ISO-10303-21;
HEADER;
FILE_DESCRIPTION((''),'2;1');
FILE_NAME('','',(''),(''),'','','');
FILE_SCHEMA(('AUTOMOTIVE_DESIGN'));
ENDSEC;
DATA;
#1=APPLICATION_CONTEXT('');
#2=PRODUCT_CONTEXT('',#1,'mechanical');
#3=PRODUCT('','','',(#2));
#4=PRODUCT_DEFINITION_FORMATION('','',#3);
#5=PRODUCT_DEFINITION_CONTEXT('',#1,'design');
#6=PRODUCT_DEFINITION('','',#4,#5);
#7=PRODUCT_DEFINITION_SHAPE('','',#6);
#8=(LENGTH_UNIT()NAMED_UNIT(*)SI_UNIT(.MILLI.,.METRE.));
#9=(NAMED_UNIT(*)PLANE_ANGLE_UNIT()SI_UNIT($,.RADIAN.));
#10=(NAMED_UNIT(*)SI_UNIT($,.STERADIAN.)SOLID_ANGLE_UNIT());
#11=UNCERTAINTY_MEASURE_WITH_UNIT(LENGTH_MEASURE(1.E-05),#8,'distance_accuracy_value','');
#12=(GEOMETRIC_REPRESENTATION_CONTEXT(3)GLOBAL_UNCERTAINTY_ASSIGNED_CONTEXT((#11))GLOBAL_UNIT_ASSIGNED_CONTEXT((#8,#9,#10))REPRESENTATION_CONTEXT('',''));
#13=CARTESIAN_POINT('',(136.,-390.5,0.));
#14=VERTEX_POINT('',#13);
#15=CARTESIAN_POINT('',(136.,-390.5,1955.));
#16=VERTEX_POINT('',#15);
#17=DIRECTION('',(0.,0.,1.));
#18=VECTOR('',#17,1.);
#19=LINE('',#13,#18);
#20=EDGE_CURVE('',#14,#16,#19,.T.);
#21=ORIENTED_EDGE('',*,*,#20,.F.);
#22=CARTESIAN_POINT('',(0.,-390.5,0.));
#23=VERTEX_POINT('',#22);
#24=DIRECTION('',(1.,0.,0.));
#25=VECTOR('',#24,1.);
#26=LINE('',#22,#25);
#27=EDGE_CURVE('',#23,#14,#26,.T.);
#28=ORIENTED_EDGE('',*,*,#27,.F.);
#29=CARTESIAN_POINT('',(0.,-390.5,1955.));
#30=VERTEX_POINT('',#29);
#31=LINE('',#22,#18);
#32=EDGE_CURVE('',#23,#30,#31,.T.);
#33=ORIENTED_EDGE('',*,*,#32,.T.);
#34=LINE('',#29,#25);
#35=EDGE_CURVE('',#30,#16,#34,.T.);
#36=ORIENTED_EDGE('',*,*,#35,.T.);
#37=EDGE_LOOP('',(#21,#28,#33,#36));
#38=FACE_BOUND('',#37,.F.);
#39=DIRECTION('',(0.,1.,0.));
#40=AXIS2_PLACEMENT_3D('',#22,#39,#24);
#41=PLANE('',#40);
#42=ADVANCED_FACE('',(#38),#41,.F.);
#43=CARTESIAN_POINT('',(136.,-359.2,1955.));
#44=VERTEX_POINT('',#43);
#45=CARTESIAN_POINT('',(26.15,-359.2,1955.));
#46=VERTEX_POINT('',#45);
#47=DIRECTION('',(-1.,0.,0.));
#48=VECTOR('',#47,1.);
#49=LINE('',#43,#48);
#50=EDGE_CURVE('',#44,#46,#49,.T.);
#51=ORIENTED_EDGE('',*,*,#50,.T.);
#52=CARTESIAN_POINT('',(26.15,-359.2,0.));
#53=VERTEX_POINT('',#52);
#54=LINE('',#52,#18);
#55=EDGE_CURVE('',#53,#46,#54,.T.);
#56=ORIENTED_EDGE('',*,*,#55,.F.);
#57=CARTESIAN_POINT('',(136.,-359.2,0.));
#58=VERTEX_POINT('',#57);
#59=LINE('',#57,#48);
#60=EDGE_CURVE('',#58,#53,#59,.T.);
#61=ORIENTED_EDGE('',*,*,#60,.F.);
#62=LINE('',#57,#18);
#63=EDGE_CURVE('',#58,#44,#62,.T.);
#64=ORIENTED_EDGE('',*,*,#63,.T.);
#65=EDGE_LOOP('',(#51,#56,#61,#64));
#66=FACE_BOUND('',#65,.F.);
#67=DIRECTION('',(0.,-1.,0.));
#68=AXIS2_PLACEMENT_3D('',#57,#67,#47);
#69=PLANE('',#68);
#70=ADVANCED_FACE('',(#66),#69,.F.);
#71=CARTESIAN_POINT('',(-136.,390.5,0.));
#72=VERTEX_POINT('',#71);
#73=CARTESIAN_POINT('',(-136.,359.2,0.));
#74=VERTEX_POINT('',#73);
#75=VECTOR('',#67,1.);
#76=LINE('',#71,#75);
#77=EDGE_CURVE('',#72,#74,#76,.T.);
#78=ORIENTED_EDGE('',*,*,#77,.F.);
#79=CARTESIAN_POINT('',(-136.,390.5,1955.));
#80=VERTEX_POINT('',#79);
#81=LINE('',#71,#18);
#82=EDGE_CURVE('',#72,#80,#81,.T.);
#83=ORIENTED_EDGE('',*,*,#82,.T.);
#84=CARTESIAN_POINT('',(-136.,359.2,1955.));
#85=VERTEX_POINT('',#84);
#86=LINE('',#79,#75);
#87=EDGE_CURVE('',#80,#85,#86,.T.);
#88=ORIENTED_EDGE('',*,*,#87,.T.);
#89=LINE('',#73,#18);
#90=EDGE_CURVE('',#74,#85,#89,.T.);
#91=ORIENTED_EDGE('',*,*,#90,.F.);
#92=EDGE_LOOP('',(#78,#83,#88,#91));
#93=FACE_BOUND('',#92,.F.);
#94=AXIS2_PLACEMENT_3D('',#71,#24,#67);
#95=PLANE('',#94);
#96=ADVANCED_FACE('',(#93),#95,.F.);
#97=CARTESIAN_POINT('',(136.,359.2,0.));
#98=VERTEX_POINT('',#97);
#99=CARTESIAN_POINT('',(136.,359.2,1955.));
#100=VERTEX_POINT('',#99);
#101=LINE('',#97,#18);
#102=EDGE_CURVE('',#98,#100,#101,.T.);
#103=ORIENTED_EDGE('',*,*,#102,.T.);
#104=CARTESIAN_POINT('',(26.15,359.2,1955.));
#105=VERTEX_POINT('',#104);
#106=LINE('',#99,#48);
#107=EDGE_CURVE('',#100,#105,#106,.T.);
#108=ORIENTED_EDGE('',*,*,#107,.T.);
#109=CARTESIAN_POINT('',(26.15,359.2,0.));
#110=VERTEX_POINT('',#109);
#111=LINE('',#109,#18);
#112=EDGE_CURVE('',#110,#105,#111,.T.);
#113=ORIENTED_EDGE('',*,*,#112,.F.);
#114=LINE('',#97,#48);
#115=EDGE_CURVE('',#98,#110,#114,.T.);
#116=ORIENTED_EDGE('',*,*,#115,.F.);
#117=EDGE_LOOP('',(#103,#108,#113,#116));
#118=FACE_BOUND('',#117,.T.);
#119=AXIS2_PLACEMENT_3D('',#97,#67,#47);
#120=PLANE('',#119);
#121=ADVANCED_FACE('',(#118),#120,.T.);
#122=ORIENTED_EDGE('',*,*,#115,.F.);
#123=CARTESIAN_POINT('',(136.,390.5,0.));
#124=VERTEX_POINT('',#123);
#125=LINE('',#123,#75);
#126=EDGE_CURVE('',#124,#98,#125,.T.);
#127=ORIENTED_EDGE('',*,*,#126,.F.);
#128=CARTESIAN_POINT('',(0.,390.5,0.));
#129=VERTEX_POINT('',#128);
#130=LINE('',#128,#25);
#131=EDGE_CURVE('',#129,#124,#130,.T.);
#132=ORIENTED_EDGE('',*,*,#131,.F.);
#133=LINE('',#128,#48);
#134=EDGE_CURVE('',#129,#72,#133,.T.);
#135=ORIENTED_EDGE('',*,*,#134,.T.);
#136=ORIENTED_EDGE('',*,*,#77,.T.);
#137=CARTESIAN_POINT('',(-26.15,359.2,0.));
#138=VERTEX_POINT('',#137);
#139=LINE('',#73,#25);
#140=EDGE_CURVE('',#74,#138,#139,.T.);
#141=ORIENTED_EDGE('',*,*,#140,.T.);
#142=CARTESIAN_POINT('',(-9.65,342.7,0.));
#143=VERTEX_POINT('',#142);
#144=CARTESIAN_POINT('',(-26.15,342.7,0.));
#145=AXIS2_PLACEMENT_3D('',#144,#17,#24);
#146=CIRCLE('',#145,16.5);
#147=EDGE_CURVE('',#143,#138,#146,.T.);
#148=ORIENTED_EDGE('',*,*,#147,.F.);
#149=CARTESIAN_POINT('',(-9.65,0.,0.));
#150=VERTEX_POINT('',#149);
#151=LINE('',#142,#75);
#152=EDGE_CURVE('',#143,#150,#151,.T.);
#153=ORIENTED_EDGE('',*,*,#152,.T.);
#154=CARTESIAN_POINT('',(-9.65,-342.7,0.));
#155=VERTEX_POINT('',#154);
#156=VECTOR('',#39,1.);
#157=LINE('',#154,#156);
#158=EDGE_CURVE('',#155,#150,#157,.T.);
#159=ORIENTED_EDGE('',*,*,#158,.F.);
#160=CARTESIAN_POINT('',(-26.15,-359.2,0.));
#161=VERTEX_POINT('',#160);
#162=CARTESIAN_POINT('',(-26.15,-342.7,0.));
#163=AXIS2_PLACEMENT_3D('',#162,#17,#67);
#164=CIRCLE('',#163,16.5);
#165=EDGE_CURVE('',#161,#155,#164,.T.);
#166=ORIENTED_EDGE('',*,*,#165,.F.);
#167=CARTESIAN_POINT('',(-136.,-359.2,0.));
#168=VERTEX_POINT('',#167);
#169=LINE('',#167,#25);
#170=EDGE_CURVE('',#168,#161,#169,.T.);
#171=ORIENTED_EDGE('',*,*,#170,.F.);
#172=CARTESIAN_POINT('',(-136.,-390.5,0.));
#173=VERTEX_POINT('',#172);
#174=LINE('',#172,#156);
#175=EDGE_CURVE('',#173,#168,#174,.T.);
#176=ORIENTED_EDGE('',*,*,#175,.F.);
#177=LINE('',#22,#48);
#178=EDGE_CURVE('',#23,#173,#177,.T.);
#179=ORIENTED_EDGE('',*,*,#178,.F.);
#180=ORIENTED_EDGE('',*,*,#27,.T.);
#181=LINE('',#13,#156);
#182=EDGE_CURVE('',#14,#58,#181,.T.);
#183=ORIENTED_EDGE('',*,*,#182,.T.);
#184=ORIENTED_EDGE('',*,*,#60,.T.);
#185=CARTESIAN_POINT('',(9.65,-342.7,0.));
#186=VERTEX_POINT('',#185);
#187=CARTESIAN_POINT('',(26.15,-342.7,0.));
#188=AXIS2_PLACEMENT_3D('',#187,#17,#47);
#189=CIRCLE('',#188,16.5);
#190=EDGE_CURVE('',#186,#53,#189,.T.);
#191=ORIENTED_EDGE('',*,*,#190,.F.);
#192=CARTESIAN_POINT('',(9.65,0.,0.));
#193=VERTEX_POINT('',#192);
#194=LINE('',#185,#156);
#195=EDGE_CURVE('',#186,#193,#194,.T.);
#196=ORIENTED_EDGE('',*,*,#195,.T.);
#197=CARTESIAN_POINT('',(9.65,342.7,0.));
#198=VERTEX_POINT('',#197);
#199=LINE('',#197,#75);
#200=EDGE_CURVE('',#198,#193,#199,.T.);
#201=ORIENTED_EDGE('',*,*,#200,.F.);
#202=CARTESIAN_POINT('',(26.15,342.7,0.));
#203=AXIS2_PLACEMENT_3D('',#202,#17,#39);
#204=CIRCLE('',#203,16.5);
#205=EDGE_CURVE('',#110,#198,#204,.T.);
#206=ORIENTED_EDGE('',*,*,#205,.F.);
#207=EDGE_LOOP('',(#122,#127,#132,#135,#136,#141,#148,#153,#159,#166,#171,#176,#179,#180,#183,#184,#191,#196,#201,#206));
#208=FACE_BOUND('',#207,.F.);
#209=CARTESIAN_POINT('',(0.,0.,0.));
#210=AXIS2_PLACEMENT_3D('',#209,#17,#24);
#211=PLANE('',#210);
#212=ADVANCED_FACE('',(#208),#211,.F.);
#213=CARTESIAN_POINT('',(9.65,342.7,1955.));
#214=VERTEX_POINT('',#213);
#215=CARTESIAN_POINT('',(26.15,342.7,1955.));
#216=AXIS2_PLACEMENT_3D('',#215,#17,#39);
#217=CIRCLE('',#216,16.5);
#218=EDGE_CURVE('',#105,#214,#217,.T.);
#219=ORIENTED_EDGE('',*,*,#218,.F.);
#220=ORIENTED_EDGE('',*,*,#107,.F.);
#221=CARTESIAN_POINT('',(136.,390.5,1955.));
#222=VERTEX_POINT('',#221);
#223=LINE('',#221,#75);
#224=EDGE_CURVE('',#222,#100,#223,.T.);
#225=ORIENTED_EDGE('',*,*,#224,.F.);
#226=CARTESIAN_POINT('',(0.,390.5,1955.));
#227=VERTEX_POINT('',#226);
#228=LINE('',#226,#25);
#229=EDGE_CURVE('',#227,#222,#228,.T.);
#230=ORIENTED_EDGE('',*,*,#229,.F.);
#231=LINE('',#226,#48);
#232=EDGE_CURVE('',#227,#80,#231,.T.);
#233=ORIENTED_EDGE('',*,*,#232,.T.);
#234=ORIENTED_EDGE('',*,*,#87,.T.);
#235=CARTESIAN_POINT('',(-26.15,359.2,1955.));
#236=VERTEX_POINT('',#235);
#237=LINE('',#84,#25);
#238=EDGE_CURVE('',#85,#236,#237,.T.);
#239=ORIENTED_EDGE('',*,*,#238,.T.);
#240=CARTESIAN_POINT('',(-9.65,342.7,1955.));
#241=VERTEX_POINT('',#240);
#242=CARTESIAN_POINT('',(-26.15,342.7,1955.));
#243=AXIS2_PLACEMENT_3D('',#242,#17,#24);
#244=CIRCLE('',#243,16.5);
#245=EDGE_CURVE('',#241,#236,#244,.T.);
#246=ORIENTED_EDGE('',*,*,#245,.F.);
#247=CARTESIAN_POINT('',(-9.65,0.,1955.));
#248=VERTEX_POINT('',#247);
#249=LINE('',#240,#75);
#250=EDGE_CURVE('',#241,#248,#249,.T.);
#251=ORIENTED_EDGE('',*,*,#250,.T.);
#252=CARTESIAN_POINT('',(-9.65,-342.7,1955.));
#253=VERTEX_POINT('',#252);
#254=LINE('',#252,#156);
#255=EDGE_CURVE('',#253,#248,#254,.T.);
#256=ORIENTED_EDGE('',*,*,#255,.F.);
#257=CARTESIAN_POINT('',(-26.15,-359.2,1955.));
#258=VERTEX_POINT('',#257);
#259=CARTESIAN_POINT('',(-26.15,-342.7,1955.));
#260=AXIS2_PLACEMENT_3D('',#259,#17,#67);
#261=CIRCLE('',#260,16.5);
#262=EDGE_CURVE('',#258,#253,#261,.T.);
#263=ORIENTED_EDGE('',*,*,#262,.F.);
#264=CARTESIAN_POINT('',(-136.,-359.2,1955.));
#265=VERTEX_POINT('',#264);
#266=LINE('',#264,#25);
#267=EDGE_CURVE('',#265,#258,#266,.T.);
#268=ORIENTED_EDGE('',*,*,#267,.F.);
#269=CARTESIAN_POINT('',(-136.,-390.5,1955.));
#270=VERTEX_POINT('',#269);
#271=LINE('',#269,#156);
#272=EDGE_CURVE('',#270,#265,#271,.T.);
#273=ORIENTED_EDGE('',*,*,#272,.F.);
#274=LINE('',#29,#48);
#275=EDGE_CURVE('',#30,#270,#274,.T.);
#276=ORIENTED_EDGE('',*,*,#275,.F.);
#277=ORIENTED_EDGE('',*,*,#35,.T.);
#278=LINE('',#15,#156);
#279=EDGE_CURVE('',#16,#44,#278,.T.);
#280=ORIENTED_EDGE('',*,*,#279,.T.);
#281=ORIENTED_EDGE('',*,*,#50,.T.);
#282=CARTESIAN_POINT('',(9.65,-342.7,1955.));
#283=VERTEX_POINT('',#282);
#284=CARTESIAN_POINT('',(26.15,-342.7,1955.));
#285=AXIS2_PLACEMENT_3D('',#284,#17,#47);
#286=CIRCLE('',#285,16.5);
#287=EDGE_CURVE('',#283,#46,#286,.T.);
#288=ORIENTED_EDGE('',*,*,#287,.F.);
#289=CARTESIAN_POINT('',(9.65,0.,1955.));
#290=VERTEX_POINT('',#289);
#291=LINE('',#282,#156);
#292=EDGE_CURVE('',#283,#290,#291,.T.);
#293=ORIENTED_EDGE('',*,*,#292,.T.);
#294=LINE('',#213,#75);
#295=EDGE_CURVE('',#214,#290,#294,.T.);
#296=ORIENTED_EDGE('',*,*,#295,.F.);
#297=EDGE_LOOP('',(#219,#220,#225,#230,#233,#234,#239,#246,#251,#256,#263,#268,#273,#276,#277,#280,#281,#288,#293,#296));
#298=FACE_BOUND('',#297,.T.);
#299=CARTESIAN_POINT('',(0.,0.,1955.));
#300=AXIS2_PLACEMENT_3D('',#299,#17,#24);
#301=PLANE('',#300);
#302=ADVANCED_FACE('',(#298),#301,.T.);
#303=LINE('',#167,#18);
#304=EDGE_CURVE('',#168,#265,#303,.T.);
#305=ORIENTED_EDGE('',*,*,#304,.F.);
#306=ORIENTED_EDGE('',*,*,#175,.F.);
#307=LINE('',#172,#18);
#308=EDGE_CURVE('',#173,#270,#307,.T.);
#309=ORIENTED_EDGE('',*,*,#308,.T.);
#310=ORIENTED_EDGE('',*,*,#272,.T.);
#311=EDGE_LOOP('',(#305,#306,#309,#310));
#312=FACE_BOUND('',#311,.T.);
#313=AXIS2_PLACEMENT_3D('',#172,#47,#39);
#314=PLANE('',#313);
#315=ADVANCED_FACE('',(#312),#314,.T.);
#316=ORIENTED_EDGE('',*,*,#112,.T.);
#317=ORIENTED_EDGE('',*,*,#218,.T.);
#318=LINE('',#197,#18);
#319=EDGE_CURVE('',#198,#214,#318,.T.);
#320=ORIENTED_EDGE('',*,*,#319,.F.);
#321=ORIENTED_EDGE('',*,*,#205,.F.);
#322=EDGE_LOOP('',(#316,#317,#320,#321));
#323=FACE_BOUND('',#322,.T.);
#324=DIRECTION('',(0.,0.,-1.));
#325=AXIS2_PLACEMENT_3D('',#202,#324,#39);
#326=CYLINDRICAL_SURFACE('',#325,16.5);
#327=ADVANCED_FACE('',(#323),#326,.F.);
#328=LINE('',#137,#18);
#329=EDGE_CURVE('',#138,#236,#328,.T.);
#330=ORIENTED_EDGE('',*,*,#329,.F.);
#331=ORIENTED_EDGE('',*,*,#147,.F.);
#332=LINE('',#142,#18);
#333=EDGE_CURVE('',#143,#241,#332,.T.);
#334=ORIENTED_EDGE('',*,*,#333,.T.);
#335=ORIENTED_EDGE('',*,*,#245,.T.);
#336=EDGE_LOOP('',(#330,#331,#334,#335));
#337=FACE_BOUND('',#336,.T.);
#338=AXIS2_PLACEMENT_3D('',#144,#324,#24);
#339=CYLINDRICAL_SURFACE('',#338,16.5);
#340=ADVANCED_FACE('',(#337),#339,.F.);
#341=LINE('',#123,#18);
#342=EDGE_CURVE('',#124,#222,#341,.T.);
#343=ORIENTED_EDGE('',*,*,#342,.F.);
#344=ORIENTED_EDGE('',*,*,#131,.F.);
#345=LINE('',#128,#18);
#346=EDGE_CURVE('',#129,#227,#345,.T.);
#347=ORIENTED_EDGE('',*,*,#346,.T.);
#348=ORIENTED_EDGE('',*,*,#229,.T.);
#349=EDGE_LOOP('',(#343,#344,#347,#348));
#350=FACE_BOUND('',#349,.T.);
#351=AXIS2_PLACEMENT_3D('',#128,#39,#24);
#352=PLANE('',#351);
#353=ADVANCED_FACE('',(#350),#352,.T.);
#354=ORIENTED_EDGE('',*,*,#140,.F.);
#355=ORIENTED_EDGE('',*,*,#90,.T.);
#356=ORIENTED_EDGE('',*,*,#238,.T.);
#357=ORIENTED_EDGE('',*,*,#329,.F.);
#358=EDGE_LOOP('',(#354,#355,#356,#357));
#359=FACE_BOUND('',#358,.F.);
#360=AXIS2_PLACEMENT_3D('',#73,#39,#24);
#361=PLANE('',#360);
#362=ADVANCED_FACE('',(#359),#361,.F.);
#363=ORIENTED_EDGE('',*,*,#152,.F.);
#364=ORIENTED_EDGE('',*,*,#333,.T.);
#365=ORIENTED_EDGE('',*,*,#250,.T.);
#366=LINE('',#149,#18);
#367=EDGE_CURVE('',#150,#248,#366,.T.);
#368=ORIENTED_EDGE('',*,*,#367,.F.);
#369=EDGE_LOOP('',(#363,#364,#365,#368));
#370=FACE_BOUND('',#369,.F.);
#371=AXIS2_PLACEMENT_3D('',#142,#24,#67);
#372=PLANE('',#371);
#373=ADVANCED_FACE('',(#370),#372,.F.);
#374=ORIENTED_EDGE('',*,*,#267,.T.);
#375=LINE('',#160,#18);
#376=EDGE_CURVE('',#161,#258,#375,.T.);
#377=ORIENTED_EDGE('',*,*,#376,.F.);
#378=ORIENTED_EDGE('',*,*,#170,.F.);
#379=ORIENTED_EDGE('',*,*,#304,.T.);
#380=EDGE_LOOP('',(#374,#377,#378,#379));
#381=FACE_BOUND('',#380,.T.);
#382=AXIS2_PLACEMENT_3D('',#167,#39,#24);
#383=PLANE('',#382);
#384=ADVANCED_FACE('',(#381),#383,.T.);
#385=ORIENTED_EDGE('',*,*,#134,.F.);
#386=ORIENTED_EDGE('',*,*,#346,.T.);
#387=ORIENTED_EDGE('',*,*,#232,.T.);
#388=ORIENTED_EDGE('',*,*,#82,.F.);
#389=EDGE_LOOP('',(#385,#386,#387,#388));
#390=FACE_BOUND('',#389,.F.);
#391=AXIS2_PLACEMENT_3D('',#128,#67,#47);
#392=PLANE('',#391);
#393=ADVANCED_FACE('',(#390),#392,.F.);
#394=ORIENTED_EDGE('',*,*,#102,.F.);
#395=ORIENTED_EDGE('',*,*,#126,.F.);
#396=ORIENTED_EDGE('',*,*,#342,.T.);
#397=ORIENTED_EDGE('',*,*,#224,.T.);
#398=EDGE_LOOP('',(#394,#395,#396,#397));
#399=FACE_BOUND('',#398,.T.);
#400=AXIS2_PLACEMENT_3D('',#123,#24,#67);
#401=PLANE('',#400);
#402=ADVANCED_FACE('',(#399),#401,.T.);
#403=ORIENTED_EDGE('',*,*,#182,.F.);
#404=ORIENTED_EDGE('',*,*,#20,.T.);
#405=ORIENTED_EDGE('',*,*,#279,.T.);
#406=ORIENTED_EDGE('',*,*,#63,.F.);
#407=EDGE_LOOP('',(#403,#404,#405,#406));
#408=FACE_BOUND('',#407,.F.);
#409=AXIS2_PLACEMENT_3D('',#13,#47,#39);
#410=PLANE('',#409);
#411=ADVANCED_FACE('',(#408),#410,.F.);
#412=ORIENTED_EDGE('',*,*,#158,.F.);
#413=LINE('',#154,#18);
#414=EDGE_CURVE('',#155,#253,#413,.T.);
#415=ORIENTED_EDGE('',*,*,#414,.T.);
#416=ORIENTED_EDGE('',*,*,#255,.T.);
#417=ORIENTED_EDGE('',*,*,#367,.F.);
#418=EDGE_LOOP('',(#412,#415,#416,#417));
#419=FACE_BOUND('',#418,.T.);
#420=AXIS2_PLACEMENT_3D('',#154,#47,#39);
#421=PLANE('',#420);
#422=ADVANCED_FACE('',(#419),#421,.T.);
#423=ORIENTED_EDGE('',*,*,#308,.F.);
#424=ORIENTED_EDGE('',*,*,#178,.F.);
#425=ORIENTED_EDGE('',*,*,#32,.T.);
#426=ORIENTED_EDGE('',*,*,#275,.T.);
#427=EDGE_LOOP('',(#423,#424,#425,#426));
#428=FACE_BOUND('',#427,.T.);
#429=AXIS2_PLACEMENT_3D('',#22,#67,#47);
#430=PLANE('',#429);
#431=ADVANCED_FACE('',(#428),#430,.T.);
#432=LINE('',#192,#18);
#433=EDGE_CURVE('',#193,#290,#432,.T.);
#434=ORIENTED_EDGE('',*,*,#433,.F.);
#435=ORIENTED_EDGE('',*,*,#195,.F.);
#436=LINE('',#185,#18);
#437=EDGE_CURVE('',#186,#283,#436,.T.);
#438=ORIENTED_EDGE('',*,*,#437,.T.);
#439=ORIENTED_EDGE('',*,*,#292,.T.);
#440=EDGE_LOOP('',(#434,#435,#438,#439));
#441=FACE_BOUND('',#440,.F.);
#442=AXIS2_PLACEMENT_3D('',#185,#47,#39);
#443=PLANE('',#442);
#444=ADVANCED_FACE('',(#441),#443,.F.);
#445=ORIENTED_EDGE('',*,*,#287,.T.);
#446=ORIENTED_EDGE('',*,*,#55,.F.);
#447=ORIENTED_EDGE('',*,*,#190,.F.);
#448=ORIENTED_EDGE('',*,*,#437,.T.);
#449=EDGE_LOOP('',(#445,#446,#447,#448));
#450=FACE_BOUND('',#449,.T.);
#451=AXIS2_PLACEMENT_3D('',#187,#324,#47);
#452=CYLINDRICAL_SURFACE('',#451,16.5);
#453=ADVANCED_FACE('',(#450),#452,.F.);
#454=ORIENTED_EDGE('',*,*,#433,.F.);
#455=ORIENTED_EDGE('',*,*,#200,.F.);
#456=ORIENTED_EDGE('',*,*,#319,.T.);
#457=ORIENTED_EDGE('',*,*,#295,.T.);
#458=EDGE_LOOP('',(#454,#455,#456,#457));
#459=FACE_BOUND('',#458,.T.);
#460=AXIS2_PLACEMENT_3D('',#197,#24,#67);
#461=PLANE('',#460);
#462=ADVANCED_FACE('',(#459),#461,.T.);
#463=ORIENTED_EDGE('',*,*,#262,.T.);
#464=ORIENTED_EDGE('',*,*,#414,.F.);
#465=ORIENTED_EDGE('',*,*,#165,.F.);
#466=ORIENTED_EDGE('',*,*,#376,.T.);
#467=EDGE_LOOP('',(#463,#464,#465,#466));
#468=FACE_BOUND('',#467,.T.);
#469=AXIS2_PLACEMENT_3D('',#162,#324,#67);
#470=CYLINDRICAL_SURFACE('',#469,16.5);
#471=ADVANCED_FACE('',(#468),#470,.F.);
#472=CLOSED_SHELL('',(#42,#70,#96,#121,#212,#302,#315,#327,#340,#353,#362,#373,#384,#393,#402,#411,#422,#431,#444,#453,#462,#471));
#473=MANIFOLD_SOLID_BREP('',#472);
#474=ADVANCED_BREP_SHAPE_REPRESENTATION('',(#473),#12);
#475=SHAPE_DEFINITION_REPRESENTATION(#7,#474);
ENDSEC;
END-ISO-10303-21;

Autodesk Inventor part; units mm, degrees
ref_plane "YZ Plane" through (0, 0, 0) normal (1, 0, 0) x (0, 1, 0)
ref_plane "Start plane" through (0, 0, 0) normal (0, 0, 1) x (1, 0, 0)
ref_plane "End plane" through (0, 0, 1955) normal (0, 0, 1) x (1, 0, 0)
sketch "Sketch" plane through (0, 0, 0) normal (0, 0, 1) x (1, 0, 0)
  line L0 (-136, -390.5) -> (-136, -359.2)
  line L1 (-136, -359.2) -> (-26.15, -359.2)
  line L2 (-9.65, -342.7) -> (-9.65, 0)
  line L3 (-9.65, 0) -> (0, 0) construction
  line L4 (0, 0) -> (0, -390.5) construction
  line L5 (0, -390.5) -> (-136, -390.5)
  line L6 (-60, 0) -> (80, 0) construction
  line L7 (0, -60) -> (0, 80) construction
  line L8 (136, -390.5) -> (136, -359.2)
  line L9 (136, -359.2) -> (26.15, -359.2)
  line L10 (9.65, -342.7) -> (9.65, 0)
  line L11 (9.65, 0) -> (0, 0) construction
  line L12 (0, -390.5) -> (136, -390.5)
  line L13 (-136, 390.5) -> (-136, 359.2)
  line L14 (-136, 359.2) -> (-26.15, 359.2)
  line L15 (-9.65, 342.7) -> (-9.65, 0)
  line L16 (0, 390.5) -> (-136, 390.5)
  line L17 (136, 390.5) -> (136, 359.2)
  line L18 (136, 359.2) -> (26.15, 359.2)
  line L19 (0, 390.5) -> (136, 390.5)
  line L20 (9.65, 342.7) -> (9.65, 0)
  arc A0 (-9.65, 342.7) -> (-26.15, 359.2) centre (-26.15, 342.7) ccw
  arc A1 (26.15, 359.2) -> (9.65, 342.7) centre (26.15, 342.7) ccw
  arc A2 (9.65, -342.7) -> (26.15, -359.2) centre (26.15, -342.7) ccw
  arc A3 (-26.15, -359.2) -> (-9.65, -342.7) centre (-26.15, -342.7) ccw
  line L21 (0, 108) -> (0, -88) construction
  line L22 (-88, 0) -> (108, 0) construction
  point P0 (-9.65, -359.2)
  point P1 (9.65, -359.2)
  point P2 (-9.65, 359.2)
  point P3 (9.65, 359.2)
  dimension "d1" = 390.5
  dimension "d2" = 31.3
  dimension "d3" = 136
  dimension "d4" = 9.65
  dimension "d10" = 16.5
extrude "Body" add sketch "Sketch" along normal up to surface (1955 mm away) from surface at 0
sketch "Sketch4" plane through (0, 0, 0) normal (0, 0, 1) x (1, 0, 0)
  line L0 (0, 0) -> (10, 0)
ref_plane "Work Plane3" through (0, 0, 0) normal (0, -1, 0) x (1, 0, 0)
sketch "Sketch5" plane through (0, 0, 0) normal (0, -1, 0) x (1, 0, 0)
  line L0 (-2, 0) -> (12, 0) projected
  line L1 (-2, 1955) -> (12, 1955) projected
  dimension "d14" = 1955
equation "\"d1\" = 0.5 * G_H"
equation "\"d2\" = G_T1"
equation "\"d3\" = 0.5 * G_W"
equation "\"d4\" = 0.5 * G_T"
equation "\"d10\" = G_IR"
equation "\"d5\" = G_L"
equation "\"G_W\" = 272"
equation "\"G_H\" = 781"
equation "\"G_T\" = 19.3"
equation "\"G_T1\" = 31.3"
equation "\"G_IR\" = 16.5"
equation "\"G_L\" = d14"
equation "\"G_OFFSET_START\" = 0"
equation "\"G_OFFSET_END\" = 0"
equation "\"d12\" = G_OFFSET_END + B_L"
equation "\"B_L\" = 1955"
properties part number "AS 3679-1990 - 760 UB - 244 - 1955" material "Steel, Mild"
